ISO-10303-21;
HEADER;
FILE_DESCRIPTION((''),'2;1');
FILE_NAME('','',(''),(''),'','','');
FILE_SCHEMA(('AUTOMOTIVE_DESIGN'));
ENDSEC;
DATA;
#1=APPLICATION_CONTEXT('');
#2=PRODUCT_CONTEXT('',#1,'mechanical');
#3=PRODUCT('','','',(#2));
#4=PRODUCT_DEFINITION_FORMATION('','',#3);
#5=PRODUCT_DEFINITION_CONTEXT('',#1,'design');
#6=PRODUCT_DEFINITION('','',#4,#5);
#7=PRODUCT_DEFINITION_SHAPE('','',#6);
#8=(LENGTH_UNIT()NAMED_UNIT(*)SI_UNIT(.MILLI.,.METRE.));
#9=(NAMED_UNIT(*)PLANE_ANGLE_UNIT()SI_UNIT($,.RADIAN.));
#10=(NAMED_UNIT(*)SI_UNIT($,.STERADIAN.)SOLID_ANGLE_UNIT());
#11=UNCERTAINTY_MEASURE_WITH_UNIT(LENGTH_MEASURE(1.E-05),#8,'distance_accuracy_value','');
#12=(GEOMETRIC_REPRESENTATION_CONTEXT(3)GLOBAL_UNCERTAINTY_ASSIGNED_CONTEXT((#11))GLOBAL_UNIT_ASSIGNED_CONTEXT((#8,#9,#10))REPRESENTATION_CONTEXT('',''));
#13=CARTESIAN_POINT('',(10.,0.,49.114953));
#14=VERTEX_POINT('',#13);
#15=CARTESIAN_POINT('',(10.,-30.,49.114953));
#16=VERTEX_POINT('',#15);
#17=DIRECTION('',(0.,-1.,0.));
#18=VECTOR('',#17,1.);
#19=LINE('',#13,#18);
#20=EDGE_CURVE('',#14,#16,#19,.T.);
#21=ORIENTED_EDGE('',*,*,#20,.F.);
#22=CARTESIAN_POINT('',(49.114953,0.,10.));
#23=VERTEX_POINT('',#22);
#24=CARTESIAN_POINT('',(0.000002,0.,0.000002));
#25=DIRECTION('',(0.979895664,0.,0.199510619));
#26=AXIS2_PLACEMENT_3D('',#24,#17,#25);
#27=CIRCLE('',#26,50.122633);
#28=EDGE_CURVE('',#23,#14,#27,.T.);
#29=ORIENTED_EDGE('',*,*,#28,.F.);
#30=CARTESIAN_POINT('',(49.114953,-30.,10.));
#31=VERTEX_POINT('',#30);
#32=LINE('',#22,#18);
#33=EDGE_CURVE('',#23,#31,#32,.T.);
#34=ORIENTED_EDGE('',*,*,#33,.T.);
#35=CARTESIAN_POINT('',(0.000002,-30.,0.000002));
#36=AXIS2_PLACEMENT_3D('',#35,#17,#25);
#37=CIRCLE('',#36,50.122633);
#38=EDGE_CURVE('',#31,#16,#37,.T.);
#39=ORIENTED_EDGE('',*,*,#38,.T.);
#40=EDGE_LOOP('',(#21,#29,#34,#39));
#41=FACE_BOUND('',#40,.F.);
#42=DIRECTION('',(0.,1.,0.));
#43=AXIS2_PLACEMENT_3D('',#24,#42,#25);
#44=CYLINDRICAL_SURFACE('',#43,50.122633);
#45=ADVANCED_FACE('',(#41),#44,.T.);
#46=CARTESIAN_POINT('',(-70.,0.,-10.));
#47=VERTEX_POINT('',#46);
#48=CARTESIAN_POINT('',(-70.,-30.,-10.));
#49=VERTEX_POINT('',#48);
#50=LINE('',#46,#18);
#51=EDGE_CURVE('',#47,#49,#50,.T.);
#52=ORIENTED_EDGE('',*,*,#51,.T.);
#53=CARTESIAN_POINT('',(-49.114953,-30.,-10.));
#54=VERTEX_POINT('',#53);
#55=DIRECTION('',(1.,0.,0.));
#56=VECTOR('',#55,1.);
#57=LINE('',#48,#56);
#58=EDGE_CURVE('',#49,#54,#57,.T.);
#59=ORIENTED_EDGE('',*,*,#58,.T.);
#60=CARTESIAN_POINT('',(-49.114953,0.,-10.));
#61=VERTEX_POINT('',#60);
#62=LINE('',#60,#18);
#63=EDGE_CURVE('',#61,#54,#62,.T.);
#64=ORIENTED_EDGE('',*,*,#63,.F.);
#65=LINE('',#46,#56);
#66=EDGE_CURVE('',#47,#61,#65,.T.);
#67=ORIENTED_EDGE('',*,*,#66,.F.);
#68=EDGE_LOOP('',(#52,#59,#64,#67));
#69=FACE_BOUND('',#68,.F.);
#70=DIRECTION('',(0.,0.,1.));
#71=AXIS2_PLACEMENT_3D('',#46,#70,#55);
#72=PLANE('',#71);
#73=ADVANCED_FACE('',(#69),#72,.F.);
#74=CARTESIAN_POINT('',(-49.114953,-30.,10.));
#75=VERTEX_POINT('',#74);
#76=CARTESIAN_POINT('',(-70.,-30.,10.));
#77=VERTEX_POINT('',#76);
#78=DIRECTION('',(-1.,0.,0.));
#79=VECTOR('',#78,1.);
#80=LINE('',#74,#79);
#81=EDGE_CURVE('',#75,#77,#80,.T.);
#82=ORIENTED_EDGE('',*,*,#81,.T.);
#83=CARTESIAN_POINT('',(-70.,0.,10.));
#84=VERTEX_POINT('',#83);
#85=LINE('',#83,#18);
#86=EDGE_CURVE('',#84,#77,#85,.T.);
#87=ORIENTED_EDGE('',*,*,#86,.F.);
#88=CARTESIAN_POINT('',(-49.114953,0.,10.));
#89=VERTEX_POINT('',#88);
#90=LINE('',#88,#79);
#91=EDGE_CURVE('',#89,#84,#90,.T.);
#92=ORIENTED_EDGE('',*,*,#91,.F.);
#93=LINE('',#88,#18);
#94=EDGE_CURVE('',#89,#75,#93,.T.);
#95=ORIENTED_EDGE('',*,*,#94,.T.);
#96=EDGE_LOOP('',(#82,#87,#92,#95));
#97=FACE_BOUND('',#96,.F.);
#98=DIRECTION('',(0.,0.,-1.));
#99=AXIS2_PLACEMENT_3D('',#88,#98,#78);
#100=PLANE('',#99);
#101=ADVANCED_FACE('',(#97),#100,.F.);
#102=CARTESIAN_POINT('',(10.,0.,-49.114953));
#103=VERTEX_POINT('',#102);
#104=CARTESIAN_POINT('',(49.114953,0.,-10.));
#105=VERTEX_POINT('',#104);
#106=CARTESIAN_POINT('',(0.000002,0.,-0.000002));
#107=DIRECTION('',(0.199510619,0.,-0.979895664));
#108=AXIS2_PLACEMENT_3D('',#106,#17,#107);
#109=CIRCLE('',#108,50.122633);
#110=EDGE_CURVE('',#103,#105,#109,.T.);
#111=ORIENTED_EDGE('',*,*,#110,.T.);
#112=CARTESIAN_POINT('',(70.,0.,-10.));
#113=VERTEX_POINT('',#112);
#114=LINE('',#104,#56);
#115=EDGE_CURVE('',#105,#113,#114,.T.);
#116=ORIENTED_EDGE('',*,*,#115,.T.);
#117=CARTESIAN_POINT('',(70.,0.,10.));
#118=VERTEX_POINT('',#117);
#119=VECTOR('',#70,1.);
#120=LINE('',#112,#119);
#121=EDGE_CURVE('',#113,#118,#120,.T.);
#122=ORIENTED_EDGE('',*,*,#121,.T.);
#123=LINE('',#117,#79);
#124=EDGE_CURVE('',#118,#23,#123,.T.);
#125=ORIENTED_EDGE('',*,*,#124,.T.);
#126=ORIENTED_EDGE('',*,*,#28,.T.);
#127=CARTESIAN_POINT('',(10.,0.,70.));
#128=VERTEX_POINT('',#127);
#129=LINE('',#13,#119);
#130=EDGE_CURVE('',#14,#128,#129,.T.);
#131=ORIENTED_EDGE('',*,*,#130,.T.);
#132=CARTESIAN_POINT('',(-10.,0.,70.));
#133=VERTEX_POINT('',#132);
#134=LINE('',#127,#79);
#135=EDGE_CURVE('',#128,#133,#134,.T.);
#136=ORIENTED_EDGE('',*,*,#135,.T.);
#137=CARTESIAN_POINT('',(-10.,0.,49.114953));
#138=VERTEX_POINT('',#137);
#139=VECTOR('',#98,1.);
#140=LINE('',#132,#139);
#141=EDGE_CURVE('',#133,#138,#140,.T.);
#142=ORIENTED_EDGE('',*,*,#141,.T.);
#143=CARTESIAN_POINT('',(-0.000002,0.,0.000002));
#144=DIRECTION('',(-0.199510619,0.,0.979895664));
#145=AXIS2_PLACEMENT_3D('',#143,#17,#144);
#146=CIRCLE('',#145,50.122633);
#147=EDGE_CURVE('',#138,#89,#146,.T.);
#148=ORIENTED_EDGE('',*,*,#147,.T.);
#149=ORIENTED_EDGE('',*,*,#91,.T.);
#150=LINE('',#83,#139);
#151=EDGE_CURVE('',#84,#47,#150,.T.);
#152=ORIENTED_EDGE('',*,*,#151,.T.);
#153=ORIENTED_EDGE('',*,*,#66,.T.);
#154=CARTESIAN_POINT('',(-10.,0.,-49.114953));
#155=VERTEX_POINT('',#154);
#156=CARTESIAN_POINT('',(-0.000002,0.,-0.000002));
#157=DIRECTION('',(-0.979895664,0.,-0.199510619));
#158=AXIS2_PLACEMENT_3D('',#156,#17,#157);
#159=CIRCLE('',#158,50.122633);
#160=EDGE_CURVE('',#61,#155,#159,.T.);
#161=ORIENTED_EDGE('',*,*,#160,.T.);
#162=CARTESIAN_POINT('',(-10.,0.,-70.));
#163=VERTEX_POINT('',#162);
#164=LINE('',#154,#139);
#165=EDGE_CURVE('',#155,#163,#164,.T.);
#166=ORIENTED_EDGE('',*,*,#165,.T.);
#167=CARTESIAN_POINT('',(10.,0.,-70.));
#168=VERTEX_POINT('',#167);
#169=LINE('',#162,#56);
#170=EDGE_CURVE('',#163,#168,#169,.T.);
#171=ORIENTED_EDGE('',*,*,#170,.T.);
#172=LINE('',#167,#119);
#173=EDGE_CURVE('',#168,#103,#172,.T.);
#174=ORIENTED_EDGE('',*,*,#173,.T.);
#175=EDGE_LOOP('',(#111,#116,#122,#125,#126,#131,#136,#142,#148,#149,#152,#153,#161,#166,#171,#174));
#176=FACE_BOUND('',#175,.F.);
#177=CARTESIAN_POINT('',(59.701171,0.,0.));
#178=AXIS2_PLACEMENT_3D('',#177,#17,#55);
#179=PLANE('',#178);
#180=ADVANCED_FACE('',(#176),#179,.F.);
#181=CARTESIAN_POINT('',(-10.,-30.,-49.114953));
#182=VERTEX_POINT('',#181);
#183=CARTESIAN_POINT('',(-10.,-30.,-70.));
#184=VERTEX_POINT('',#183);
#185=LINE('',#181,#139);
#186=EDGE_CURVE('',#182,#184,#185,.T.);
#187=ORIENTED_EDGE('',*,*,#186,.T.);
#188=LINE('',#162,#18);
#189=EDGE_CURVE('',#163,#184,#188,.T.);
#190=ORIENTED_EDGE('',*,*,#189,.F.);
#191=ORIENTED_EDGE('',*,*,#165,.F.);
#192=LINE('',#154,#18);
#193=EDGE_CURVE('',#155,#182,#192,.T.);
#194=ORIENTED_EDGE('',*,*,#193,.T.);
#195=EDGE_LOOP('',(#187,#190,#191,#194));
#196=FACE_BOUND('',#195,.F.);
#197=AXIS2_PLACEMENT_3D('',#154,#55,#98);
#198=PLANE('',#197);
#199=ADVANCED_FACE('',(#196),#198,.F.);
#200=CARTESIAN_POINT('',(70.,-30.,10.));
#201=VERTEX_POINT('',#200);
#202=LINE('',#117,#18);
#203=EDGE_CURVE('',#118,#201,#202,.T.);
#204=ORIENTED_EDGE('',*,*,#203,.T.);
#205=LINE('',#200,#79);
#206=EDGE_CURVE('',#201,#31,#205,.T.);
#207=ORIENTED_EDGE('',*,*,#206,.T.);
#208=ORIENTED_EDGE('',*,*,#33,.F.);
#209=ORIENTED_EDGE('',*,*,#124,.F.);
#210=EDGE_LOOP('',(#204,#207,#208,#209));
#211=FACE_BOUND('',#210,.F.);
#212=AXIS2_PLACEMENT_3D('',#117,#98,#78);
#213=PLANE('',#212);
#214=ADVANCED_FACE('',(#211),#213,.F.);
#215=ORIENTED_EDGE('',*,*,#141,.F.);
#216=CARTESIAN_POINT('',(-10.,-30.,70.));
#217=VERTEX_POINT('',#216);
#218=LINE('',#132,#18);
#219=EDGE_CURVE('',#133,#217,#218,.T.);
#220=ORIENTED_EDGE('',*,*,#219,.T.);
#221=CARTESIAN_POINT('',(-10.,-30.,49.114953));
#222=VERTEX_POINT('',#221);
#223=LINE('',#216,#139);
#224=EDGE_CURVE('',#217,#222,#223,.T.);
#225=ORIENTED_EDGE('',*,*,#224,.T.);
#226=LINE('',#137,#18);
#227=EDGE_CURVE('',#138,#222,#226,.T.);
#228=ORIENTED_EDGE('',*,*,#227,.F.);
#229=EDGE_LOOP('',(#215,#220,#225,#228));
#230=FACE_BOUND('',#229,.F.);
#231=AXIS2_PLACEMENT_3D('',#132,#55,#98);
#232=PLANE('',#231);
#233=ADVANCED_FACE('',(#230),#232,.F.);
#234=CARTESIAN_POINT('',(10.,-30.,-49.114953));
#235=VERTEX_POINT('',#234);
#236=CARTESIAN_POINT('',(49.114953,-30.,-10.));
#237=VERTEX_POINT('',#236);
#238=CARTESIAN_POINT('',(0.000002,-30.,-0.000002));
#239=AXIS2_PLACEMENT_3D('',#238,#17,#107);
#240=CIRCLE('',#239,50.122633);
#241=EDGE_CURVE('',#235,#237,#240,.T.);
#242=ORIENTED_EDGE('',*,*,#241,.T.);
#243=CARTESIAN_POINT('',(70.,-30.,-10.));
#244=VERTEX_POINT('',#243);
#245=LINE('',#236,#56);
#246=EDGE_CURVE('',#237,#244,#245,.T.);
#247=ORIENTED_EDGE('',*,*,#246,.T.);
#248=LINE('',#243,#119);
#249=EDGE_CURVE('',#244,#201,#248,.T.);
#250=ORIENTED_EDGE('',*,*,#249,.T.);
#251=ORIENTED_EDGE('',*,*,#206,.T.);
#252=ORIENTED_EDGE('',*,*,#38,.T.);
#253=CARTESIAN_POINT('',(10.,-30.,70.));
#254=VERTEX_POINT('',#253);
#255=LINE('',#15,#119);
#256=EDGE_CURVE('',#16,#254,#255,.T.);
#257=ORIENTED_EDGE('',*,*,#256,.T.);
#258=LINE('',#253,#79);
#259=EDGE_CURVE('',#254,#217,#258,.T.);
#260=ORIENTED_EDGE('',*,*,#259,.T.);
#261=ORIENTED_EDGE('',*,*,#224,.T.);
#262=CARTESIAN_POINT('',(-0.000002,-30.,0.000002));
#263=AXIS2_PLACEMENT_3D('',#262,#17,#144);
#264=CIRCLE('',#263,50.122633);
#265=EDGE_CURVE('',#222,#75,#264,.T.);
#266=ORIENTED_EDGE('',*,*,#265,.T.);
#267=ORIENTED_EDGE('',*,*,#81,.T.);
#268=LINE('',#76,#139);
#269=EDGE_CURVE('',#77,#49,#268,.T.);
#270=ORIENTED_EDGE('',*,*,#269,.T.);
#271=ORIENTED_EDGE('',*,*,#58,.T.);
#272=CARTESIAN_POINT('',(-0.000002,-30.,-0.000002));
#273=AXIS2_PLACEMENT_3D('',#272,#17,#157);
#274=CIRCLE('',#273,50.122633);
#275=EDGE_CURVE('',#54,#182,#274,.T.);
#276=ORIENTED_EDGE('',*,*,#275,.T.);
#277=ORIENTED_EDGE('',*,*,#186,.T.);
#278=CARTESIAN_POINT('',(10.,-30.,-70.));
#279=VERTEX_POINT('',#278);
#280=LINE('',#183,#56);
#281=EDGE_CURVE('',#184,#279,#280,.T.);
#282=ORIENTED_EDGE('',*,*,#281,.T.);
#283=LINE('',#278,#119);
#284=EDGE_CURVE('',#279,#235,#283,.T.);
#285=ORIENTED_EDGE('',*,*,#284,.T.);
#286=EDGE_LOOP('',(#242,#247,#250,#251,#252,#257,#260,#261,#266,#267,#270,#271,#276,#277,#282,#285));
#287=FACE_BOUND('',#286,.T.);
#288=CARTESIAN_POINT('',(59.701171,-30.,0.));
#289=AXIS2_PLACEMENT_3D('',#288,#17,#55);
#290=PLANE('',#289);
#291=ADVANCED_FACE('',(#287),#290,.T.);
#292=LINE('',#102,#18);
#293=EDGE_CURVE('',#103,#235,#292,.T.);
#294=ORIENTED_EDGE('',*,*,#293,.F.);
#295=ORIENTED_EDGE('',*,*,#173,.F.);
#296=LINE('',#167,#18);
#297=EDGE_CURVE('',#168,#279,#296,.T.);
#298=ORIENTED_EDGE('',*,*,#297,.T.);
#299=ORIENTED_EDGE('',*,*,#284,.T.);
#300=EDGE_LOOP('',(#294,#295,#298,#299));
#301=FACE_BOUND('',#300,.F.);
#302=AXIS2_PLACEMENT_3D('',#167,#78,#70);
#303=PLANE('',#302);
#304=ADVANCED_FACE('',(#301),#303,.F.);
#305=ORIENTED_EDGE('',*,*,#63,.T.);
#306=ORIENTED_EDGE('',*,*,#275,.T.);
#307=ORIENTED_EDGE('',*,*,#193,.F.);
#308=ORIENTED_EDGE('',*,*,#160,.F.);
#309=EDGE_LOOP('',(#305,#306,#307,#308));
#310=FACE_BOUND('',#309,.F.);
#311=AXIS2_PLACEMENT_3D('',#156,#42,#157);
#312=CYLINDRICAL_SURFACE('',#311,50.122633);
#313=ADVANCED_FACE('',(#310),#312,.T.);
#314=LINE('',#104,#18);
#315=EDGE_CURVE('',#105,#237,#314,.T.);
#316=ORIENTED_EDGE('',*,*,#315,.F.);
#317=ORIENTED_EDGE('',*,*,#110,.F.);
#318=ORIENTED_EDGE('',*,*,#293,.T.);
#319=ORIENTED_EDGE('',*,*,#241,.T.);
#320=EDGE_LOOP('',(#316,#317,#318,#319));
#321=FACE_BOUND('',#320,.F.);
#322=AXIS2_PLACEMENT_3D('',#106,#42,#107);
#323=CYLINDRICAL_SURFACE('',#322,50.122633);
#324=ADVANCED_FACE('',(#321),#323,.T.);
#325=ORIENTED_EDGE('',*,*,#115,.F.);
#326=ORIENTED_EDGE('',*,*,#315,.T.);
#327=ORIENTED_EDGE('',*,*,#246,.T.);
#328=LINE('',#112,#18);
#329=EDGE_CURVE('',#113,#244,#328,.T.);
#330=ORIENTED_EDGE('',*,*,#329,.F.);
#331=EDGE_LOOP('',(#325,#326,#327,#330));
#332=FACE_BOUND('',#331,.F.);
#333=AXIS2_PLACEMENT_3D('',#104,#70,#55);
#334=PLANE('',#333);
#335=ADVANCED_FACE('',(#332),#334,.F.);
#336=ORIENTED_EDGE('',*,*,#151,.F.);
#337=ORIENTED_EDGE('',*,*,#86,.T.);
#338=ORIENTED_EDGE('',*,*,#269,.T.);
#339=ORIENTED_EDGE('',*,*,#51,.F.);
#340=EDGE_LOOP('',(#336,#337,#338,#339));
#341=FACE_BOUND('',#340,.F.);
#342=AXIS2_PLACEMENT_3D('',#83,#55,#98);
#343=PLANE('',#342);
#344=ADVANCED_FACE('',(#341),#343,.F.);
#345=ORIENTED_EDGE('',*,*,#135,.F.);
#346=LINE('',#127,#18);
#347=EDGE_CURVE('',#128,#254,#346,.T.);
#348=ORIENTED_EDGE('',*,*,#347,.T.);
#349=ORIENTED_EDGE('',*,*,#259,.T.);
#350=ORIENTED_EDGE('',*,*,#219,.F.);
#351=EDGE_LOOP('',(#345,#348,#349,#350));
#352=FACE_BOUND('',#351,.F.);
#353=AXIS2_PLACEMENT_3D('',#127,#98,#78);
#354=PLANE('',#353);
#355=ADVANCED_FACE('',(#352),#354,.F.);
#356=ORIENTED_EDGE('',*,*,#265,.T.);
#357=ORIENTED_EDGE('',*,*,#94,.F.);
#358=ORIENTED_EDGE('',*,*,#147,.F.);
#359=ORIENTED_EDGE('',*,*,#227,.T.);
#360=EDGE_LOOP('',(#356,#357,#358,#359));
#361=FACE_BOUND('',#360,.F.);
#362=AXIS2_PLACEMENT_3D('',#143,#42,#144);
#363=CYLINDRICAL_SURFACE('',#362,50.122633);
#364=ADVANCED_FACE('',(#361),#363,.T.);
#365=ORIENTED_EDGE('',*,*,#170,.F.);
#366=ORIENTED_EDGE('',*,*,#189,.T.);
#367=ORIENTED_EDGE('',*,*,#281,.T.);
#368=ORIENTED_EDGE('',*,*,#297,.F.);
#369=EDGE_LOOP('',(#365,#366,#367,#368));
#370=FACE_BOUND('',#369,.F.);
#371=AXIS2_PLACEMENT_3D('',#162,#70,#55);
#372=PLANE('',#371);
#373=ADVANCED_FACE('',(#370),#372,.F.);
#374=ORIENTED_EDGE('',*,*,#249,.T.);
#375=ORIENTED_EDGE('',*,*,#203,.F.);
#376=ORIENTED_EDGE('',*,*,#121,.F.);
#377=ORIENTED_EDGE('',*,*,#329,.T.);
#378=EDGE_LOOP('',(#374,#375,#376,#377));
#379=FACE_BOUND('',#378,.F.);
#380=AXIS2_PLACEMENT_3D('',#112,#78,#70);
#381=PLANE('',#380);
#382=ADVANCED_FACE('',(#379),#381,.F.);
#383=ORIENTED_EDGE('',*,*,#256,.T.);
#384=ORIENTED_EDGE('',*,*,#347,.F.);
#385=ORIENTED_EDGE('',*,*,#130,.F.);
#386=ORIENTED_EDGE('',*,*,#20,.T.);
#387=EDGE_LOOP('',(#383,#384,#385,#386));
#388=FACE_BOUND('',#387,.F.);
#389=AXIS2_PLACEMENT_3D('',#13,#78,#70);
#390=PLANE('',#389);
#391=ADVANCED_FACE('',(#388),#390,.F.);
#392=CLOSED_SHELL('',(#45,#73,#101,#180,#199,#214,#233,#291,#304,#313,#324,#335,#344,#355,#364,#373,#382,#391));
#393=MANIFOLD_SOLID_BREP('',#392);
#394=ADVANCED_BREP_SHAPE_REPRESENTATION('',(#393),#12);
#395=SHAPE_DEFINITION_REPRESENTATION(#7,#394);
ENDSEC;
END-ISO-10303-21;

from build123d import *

# Parameters (mm, degrees)
F0_R     = 40
F1_DEPTH = 30


with BuildPart() as f1:
    # F0 (on Front) → F1 (new body)
    with BuildSketch(Plane.XZ):
        with BuildLine():
            Line((70, 10), (49.114953, 10))
            ThreePointArc((49.114953, 10), (49.870079, 5.025321), (50.122636, 0))
            ThreePointArc((50.122636, 0), (49.870079, -5.025321), (49.114953, -10))
            Line((49.114953, -10), (70, -10))
            Line((70, -10), (70, 10))
        make_face()
        with BuildLine():
            ThreePointArc((10, 49.114953), (0, 50.122636), (-10, 49.114953))
            ThreePointArc((-10, 49.114953), (-35.442056, 35.442056), (-49.114953, 10))
            ThreePointArc((-49.114953, 10), (-50.122636, 0), (-49.114953, -10))
            ThreePointArc((-49.114953, -10), (-35.442056, -35.442056), (-10, -49.114953))
            ThreePointArc((-10, -49.114953), (0, -50.122636), (10, -49.114953))
            ThreePointArc((10, -49.114953), (35.442056, -35.442056), (49.114953, -10))
            ThreePointArc((49.114953, -10), (49.870079, -5.025321), (50.122636, 0))
            ThreePointArc((50.122636, 0), (49.870079, 5.025321), (49.114953, 10))
            ThreePointArc((49.114953, 10), (35.442056, 35.442056), (10, 49.114953))
        make_face()
        Circle(F0_R, mode=Mode.SUBTRACT)
        with BuildLine():
            ThreePointArc((-49.114953, -10), (-50.122636, 0), (-49.114953, 10))
            Line((-49.114953, 10), (-70, 10))
            Line((-70, 10), (-70, -10))
            Line((-70, -10), (-49.114953, -10))
        make_face()
        with BuildLine():
            ThreePointArc((10, -49.114953), (0, -50.122636), (-10, -49.114953))
            Line((-10, -49.114953), (-10, -70))
            Line((-10, -70), (10, -70))
            Line((10, -70), (10, -49.114953))
        make_face()
        with BuildLine():
            Line((-5.95824, 70), (-10, 70))
            Line((-10, 70), (-10, 49.114953))
            ThreePointArc((-10, 49.114953), (0, 50.122636), (10, 49.114953))
            Line((10, 49.114953), (10, 70))
            Line((10, 70), (5.95824, 70))
            Line((5.95824, 70), (-5.95824, 70))
        make_face()
        Circle(F0_R)
    extrude(amount=F1_DEPTH)


solid = f1.part
